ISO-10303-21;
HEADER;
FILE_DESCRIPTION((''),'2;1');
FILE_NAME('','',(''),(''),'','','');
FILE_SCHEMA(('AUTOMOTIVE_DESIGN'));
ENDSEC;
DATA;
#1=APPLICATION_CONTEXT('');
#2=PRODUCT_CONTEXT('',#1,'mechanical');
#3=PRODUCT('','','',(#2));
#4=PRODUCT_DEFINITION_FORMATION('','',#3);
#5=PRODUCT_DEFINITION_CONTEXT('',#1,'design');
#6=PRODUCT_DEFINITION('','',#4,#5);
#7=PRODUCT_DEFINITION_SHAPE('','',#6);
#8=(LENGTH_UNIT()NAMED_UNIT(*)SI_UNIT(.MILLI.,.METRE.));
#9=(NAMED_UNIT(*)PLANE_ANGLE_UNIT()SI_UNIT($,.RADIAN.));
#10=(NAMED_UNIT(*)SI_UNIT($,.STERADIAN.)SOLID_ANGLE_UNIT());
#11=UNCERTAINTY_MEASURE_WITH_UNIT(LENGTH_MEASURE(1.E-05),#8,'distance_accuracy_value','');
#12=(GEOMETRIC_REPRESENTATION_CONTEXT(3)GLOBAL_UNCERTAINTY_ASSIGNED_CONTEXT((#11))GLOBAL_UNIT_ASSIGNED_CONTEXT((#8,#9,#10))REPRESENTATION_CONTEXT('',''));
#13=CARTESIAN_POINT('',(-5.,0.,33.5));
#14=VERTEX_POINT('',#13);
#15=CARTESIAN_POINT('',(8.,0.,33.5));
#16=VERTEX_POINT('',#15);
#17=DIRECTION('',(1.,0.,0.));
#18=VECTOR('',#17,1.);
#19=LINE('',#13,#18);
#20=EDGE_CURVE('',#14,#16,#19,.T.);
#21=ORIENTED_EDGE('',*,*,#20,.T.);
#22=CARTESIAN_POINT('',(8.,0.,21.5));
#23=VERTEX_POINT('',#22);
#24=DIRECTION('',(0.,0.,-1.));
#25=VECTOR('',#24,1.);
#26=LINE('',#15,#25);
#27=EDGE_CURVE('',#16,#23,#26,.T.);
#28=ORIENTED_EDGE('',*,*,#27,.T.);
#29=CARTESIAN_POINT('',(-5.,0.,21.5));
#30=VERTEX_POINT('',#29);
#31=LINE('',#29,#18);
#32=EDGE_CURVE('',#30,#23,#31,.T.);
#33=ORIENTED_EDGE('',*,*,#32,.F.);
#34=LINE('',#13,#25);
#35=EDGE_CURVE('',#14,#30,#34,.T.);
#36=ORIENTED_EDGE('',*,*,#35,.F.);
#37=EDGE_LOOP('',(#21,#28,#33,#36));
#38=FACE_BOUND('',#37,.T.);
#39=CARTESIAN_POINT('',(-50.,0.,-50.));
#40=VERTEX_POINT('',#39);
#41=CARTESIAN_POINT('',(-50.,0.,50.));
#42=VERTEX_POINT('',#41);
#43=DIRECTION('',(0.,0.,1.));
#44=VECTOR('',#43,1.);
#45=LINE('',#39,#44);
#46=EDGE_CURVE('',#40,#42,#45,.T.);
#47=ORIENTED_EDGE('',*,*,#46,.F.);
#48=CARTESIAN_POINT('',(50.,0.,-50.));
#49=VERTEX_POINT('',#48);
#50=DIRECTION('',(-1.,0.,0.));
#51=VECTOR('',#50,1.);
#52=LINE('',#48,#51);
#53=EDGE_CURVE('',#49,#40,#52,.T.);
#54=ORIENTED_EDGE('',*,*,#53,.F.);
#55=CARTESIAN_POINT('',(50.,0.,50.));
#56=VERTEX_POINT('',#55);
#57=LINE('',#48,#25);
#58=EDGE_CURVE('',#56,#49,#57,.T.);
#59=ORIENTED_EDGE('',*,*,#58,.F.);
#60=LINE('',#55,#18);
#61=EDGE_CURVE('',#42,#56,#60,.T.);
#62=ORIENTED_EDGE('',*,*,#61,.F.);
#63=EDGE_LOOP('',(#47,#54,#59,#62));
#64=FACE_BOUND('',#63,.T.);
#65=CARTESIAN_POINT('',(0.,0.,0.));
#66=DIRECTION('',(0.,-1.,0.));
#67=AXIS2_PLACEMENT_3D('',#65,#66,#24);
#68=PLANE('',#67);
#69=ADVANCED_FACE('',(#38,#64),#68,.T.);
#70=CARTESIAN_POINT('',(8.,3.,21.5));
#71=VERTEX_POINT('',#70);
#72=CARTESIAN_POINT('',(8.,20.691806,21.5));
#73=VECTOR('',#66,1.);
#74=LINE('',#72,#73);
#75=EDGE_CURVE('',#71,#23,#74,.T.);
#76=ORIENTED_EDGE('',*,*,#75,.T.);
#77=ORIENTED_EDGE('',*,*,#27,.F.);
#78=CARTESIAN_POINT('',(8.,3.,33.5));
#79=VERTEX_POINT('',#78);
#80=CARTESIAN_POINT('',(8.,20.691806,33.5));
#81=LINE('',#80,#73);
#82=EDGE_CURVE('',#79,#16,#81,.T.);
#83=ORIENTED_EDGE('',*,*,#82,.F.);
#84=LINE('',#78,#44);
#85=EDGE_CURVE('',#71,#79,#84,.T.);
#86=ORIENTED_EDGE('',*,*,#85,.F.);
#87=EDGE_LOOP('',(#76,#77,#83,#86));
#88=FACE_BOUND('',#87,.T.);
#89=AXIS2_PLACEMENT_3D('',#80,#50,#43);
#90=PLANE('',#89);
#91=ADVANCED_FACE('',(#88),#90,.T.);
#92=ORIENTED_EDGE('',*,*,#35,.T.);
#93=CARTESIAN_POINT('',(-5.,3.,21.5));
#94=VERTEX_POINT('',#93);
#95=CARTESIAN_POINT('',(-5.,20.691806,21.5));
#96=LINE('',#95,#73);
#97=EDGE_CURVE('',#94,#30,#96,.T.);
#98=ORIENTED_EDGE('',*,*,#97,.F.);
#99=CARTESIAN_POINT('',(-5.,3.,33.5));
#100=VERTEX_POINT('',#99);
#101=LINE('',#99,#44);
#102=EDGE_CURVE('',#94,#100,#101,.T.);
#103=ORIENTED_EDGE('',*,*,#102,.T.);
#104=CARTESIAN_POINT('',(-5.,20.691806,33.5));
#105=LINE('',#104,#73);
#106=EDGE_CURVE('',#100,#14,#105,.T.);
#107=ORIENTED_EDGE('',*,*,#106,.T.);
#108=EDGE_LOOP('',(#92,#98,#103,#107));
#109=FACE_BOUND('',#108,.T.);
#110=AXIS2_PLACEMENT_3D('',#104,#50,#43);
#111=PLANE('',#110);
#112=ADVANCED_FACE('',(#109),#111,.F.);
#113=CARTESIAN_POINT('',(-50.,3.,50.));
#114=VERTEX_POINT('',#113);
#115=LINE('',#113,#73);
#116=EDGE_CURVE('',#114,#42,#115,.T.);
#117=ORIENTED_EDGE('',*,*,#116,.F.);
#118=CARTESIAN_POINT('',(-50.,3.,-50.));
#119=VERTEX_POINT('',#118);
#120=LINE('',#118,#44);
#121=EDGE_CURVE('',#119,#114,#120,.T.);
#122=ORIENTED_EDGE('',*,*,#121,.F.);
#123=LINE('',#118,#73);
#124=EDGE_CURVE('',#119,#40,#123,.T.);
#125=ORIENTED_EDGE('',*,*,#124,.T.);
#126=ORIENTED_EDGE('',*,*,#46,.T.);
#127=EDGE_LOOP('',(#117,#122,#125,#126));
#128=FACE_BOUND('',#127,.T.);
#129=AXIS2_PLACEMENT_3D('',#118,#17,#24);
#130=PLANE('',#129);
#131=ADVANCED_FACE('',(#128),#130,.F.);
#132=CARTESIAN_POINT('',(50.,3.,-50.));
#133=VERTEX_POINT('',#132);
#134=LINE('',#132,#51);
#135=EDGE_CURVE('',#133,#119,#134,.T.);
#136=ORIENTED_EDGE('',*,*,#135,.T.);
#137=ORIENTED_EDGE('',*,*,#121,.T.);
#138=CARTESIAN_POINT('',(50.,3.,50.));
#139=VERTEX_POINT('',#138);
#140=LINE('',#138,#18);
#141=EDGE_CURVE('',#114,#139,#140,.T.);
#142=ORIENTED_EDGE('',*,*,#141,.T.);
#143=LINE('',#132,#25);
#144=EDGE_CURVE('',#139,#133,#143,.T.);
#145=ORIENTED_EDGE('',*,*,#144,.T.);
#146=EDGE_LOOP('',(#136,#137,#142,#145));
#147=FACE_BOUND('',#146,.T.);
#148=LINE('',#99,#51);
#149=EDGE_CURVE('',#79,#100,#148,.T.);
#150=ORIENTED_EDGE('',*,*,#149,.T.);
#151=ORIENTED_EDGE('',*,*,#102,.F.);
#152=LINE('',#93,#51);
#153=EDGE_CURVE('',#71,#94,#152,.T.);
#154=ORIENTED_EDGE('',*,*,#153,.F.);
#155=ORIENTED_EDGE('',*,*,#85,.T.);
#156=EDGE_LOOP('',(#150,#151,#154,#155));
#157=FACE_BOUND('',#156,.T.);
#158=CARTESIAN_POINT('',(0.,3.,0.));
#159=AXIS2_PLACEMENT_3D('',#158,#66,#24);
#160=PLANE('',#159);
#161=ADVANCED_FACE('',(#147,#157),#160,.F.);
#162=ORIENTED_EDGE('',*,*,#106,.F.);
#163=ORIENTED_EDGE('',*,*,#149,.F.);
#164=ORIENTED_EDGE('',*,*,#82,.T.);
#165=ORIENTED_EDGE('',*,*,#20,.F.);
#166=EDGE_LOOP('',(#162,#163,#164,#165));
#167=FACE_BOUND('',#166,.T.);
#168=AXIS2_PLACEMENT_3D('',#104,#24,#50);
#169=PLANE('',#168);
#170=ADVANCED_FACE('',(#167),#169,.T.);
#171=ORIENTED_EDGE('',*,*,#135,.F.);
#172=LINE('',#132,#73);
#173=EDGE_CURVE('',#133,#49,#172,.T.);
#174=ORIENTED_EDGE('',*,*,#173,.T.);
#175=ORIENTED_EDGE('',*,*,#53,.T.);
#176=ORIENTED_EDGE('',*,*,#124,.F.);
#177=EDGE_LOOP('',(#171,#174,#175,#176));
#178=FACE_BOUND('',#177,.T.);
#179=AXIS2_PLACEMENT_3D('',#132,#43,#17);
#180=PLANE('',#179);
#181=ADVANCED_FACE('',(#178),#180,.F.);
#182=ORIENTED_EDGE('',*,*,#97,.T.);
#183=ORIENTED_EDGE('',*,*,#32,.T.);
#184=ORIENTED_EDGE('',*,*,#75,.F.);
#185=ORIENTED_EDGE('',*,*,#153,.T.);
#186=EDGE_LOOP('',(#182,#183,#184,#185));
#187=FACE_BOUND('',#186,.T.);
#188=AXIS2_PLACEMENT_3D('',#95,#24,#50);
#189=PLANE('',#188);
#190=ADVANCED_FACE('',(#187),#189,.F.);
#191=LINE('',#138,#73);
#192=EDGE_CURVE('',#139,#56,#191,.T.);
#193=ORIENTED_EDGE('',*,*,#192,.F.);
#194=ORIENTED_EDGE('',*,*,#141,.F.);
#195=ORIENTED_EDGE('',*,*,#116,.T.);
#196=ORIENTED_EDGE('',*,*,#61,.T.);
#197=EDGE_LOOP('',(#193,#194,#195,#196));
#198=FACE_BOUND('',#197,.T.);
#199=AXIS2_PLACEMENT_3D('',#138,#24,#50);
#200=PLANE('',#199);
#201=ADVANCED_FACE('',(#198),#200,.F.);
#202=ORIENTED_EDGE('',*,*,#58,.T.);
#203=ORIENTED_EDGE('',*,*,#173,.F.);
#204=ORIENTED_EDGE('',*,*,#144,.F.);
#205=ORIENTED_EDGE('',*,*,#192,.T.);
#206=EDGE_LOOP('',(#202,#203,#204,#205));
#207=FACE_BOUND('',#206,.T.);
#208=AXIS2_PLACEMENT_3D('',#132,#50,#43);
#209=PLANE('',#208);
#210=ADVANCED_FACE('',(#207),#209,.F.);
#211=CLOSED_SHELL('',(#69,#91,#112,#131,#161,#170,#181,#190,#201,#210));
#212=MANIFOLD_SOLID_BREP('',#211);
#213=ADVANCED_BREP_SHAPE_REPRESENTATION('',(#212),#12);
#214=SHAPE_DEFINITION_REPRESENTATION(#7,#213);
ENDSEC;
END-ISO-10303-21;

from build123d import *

# Parameters (mm, degrees)
SKETCH1_W           = 100
SKETCH1_H           = 100
BOSS_EXTRUDE1_DEPTH = 3
SKETCH3_W           = 13
SKETCH3_H           = 12
CUT_EXTRUDE3_DEPTH  = 3


with BuildPart() as part:
    # Sketch1 → Boss-Extrude1 (new body)
    with BuildSketch(Plane(origin=(0, 0, 0), x_dir=(1, 0, 0), z_dir=(0, 1, 0))):
        Rectangle(SKETCH1_W, SKETCH1_H)
    extrude(amount=BOSS_EXTRUDE1_DEPTH)

    # Sketch3 → Cut-Extrude3 (cut)
    with BuildSketch(Plane.XZ):
        with Locations((1.5, 27.5)):
            Rectangle(SKETCH3_W, SKETCH3_H)
    extrude(amount=-CUT_EXTRUDE3_DEPTH, mode=Mode.SUBTRACT)


solid = part.part
